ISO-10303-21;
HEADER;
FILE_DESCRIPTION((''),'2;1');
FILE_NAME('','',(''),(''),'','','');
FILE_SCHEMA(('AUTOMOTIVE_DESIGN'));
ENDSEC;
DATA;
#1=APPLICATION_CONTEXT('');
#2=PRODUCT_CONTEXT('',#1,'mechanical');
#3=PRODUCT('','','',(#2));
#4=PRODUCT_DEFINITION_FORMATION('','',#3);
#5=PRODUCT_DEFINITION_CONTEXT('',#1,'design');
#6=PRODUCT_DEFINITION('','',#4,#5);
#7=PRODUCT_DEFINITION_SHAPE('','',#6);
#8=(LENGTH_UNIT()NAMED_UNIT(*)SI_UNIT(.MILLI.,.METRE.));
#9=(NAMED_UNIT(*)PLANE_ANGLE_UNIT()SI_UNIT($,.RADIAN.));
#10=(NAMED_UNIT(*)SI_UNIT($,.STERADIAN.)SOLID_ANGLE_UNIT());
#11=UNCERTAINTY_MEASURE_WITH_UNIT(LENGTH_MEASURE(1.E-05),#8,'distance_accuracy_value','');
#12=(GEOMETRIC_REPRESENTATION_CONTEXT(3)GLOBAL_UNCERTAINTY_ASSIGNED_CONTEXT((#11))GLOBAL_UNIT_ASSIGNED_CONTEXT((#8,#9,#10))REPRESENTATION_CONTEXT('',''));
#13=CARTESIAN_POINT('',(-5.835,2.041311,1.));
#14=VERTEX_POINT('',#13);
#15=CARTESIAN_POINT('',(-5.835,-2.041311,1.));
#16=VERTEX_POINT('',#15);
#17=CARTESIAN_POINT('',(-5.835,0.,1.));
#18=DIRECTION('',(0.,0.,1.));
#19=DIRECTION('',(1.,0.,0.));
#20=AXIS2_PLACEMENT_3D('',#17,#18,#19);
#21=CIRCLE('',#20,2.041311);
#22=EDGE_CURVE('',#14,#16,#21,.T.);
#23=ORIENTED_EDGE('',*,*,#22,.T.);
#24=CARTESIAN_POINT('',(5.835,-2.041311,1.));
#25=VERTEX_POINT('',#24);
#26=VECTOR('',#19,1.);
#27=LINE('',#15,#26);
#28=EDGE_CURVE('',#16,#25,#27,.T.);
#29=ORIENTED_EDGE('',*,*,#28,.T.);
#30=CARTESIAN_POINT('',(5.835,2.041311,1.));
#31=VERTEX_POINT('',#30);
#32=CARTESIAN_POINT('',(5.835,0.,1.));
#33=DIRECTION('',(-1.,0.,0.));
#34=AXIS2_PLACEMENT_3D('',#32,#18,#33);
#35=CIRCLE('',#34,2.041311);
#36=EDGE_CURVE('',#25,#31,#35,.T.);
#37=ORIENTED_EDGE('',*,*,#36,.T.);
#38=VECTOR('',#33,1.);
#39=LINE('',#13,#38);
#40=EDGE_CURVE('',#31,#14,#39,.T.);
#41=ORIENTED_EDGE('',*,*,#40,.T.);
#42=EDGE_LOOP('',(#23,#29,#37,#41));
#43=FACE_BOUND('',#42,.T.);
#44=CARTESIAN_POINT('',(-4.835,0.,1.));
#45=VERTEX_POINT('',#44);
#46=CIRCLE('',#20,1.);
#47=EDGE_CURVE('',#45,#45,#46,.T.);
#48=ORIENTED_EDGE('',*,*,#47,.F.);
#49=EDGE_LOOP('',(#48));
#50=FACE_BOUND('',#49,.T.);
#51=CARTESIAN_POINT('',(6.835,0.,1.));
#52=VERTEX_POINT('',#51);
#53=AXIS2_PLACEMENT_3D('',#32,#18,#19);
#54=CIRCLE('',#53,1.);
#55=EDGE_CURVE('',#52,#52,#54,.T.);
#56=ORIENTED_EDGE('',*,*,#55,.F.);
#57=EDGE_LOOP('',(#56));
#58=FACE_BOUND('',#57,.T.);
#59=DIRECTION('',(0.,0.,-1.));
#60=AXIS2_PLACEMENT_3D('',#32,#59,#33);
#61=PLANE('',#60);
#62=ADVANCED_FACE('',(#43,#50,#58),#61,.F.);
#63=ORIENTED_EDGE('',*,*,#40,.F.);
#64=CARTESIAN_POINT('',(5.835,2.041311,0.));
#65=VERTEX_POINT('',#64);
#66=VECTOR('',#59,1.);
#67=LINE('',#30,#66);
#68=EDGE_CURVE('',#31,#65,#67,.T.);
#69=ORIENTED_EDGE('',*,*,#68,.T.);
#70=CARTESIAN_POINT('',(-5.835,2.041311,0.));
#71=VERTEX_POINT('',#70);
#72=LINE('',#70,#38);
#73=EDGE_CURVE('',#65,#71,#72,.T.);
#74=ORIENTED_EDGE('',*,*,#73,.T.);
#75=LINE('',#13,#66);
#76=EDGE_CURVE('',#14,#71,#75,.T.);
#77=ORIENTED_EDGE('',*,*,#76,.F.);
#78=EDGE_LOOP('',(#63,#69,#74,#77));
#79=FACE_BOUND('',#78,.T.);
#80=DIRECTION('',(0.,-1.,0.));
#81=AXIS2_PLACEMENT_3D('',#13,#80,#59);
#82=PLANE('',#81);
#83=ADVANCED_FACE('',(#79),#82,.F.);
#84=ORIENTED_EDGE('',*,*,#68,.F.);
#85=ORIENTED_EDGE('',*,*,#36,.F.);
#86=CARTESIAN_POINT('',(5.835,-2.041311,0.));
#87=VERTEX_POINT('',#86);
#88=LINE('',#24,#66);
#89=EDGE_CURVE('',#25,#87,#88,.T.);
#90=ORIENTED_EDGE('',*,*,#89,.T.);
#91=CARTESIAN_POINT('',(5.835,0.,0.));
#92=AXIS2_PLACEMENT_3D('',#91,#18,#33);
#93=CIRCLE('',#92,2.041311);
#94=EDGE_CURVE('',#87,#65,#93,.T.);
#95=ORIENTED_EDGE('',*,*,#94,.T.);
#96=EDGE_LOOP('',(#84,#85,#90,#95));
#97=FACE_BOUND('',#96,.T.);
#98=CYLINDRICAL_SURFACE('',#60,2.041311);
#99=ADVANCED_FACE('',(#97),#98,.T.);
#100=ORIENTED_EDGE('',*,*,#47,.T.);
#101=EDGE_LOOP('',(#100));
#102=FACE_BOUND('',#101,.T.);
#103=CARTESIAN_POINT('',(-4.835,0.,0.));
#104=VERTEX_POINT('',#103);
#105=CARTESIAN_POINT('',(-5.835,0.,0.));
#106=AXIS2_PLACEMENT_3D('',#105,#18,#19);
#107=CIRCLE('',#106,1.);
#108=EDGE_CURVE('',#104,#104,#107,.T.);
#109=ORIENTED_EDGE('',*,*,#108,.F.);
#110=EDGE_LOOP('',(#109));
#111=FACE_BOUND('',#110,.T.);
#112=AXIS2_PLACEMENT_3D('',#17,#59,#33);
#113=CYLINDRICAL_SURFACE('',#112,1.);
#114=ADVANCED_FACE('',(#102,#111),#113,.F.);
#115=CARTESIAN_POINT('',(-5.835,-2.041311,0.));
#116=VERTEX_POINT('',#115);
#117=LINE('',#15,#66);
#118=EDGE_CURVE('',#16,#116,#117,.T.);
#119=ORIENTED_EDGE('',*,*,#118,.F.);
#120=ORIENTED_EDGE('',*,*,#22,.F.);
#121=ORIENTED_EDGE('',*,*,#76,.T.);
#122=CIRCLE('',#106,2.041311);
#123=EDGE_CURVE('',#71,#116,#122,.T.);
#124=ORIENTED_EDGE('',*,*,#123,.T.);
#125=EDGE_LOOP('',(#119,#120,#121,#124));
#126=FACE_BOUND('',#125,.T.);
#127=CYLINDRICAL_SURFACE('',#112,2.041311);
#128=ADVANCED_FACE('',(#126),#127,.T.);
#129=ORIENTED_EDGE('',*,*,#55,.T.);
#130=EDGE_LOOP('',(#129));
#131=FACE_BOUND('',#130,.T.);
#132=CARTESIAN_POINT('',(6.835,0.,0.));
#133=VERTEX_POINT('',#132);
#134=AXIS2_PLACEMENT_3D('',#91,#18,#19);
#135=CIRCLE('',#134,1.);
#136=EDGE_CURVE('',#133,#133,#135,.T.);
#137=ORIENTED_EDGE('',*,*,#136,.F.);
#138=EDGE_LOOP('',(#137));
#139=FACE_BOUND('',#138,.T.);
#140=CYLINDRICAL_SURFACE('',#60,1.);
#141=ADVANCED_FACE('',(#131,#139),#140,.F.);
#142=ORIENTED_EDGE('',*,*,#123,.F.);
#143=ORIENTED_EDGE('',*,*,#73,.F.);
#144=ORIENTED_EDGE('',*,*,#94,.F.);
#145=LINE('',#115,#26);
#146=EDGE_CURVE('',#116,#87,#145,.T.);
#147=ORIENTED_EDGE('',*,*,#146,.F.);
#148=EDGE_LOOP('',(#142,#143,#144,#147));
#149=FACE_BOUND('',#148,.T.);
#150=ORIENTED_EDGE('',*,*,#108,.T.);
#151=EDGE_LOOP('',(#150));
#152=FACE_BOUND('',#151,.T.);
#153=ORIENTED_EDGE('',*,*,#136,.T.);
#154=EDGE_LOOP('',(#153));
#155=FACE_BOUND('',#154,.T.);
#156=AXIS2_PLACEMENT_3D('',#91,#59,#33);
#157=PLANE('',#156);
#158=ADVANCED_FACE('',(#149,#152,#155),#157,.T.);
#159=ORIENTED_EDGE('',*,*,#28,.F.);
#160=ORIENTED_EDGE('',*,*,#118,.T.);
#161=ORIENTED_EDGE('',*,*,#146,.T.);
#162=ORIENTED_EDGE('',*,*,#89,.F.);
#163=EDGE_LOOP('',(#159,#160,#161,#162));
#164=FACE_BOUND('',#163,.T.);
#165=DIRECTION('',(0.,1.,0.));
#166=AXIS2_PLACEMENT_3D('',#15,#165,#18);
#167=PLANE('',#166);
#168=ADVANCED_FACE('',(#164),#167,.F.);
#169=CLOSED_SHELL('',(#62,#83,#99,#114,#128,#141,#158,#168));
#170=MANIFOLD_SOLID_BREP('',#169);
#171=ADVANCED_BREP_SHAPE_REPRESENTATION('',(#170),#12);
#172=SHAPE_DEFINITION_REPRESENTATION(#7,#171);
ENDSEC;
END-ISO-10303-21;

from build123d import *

# Parameters (mm, degrees)
ESBO_O1_R                = 1
RESSALTO_EXTRUS_O1_DEPTH = 1


with BuildPart() as part:
    # Esboço1 → Ressalto-extrusão1 (new body)
    with BuildSketch(Plane.XY):
        with BuildLine():
            Line((-5.835, 2.041311144), (5.835, 2.041311144))
            ThreePointArc((5.835, 2.041311144), (7.876311144, 0), (5.835, -2.041311144))
            Line((5.835, -2.041311144), (-5.835, -2.041311144))
            ThreePointArc((-5.835, -2.041311144), (-7.876311144, 0), (-5.835, 2.041311144))
        make_face()
        with Locations((-5.835, 0)):
            Circle(ESBO_O1_R, mode=Mode.SUBTRACT)
        with Locations((5.835, 0)):
            Circle(ESBO_O1_R, mode=Mode.SUBTRACT)
    extrude(amount=RESSALTO_EXTRUS_O1_DEPTH)


solid = part.part
